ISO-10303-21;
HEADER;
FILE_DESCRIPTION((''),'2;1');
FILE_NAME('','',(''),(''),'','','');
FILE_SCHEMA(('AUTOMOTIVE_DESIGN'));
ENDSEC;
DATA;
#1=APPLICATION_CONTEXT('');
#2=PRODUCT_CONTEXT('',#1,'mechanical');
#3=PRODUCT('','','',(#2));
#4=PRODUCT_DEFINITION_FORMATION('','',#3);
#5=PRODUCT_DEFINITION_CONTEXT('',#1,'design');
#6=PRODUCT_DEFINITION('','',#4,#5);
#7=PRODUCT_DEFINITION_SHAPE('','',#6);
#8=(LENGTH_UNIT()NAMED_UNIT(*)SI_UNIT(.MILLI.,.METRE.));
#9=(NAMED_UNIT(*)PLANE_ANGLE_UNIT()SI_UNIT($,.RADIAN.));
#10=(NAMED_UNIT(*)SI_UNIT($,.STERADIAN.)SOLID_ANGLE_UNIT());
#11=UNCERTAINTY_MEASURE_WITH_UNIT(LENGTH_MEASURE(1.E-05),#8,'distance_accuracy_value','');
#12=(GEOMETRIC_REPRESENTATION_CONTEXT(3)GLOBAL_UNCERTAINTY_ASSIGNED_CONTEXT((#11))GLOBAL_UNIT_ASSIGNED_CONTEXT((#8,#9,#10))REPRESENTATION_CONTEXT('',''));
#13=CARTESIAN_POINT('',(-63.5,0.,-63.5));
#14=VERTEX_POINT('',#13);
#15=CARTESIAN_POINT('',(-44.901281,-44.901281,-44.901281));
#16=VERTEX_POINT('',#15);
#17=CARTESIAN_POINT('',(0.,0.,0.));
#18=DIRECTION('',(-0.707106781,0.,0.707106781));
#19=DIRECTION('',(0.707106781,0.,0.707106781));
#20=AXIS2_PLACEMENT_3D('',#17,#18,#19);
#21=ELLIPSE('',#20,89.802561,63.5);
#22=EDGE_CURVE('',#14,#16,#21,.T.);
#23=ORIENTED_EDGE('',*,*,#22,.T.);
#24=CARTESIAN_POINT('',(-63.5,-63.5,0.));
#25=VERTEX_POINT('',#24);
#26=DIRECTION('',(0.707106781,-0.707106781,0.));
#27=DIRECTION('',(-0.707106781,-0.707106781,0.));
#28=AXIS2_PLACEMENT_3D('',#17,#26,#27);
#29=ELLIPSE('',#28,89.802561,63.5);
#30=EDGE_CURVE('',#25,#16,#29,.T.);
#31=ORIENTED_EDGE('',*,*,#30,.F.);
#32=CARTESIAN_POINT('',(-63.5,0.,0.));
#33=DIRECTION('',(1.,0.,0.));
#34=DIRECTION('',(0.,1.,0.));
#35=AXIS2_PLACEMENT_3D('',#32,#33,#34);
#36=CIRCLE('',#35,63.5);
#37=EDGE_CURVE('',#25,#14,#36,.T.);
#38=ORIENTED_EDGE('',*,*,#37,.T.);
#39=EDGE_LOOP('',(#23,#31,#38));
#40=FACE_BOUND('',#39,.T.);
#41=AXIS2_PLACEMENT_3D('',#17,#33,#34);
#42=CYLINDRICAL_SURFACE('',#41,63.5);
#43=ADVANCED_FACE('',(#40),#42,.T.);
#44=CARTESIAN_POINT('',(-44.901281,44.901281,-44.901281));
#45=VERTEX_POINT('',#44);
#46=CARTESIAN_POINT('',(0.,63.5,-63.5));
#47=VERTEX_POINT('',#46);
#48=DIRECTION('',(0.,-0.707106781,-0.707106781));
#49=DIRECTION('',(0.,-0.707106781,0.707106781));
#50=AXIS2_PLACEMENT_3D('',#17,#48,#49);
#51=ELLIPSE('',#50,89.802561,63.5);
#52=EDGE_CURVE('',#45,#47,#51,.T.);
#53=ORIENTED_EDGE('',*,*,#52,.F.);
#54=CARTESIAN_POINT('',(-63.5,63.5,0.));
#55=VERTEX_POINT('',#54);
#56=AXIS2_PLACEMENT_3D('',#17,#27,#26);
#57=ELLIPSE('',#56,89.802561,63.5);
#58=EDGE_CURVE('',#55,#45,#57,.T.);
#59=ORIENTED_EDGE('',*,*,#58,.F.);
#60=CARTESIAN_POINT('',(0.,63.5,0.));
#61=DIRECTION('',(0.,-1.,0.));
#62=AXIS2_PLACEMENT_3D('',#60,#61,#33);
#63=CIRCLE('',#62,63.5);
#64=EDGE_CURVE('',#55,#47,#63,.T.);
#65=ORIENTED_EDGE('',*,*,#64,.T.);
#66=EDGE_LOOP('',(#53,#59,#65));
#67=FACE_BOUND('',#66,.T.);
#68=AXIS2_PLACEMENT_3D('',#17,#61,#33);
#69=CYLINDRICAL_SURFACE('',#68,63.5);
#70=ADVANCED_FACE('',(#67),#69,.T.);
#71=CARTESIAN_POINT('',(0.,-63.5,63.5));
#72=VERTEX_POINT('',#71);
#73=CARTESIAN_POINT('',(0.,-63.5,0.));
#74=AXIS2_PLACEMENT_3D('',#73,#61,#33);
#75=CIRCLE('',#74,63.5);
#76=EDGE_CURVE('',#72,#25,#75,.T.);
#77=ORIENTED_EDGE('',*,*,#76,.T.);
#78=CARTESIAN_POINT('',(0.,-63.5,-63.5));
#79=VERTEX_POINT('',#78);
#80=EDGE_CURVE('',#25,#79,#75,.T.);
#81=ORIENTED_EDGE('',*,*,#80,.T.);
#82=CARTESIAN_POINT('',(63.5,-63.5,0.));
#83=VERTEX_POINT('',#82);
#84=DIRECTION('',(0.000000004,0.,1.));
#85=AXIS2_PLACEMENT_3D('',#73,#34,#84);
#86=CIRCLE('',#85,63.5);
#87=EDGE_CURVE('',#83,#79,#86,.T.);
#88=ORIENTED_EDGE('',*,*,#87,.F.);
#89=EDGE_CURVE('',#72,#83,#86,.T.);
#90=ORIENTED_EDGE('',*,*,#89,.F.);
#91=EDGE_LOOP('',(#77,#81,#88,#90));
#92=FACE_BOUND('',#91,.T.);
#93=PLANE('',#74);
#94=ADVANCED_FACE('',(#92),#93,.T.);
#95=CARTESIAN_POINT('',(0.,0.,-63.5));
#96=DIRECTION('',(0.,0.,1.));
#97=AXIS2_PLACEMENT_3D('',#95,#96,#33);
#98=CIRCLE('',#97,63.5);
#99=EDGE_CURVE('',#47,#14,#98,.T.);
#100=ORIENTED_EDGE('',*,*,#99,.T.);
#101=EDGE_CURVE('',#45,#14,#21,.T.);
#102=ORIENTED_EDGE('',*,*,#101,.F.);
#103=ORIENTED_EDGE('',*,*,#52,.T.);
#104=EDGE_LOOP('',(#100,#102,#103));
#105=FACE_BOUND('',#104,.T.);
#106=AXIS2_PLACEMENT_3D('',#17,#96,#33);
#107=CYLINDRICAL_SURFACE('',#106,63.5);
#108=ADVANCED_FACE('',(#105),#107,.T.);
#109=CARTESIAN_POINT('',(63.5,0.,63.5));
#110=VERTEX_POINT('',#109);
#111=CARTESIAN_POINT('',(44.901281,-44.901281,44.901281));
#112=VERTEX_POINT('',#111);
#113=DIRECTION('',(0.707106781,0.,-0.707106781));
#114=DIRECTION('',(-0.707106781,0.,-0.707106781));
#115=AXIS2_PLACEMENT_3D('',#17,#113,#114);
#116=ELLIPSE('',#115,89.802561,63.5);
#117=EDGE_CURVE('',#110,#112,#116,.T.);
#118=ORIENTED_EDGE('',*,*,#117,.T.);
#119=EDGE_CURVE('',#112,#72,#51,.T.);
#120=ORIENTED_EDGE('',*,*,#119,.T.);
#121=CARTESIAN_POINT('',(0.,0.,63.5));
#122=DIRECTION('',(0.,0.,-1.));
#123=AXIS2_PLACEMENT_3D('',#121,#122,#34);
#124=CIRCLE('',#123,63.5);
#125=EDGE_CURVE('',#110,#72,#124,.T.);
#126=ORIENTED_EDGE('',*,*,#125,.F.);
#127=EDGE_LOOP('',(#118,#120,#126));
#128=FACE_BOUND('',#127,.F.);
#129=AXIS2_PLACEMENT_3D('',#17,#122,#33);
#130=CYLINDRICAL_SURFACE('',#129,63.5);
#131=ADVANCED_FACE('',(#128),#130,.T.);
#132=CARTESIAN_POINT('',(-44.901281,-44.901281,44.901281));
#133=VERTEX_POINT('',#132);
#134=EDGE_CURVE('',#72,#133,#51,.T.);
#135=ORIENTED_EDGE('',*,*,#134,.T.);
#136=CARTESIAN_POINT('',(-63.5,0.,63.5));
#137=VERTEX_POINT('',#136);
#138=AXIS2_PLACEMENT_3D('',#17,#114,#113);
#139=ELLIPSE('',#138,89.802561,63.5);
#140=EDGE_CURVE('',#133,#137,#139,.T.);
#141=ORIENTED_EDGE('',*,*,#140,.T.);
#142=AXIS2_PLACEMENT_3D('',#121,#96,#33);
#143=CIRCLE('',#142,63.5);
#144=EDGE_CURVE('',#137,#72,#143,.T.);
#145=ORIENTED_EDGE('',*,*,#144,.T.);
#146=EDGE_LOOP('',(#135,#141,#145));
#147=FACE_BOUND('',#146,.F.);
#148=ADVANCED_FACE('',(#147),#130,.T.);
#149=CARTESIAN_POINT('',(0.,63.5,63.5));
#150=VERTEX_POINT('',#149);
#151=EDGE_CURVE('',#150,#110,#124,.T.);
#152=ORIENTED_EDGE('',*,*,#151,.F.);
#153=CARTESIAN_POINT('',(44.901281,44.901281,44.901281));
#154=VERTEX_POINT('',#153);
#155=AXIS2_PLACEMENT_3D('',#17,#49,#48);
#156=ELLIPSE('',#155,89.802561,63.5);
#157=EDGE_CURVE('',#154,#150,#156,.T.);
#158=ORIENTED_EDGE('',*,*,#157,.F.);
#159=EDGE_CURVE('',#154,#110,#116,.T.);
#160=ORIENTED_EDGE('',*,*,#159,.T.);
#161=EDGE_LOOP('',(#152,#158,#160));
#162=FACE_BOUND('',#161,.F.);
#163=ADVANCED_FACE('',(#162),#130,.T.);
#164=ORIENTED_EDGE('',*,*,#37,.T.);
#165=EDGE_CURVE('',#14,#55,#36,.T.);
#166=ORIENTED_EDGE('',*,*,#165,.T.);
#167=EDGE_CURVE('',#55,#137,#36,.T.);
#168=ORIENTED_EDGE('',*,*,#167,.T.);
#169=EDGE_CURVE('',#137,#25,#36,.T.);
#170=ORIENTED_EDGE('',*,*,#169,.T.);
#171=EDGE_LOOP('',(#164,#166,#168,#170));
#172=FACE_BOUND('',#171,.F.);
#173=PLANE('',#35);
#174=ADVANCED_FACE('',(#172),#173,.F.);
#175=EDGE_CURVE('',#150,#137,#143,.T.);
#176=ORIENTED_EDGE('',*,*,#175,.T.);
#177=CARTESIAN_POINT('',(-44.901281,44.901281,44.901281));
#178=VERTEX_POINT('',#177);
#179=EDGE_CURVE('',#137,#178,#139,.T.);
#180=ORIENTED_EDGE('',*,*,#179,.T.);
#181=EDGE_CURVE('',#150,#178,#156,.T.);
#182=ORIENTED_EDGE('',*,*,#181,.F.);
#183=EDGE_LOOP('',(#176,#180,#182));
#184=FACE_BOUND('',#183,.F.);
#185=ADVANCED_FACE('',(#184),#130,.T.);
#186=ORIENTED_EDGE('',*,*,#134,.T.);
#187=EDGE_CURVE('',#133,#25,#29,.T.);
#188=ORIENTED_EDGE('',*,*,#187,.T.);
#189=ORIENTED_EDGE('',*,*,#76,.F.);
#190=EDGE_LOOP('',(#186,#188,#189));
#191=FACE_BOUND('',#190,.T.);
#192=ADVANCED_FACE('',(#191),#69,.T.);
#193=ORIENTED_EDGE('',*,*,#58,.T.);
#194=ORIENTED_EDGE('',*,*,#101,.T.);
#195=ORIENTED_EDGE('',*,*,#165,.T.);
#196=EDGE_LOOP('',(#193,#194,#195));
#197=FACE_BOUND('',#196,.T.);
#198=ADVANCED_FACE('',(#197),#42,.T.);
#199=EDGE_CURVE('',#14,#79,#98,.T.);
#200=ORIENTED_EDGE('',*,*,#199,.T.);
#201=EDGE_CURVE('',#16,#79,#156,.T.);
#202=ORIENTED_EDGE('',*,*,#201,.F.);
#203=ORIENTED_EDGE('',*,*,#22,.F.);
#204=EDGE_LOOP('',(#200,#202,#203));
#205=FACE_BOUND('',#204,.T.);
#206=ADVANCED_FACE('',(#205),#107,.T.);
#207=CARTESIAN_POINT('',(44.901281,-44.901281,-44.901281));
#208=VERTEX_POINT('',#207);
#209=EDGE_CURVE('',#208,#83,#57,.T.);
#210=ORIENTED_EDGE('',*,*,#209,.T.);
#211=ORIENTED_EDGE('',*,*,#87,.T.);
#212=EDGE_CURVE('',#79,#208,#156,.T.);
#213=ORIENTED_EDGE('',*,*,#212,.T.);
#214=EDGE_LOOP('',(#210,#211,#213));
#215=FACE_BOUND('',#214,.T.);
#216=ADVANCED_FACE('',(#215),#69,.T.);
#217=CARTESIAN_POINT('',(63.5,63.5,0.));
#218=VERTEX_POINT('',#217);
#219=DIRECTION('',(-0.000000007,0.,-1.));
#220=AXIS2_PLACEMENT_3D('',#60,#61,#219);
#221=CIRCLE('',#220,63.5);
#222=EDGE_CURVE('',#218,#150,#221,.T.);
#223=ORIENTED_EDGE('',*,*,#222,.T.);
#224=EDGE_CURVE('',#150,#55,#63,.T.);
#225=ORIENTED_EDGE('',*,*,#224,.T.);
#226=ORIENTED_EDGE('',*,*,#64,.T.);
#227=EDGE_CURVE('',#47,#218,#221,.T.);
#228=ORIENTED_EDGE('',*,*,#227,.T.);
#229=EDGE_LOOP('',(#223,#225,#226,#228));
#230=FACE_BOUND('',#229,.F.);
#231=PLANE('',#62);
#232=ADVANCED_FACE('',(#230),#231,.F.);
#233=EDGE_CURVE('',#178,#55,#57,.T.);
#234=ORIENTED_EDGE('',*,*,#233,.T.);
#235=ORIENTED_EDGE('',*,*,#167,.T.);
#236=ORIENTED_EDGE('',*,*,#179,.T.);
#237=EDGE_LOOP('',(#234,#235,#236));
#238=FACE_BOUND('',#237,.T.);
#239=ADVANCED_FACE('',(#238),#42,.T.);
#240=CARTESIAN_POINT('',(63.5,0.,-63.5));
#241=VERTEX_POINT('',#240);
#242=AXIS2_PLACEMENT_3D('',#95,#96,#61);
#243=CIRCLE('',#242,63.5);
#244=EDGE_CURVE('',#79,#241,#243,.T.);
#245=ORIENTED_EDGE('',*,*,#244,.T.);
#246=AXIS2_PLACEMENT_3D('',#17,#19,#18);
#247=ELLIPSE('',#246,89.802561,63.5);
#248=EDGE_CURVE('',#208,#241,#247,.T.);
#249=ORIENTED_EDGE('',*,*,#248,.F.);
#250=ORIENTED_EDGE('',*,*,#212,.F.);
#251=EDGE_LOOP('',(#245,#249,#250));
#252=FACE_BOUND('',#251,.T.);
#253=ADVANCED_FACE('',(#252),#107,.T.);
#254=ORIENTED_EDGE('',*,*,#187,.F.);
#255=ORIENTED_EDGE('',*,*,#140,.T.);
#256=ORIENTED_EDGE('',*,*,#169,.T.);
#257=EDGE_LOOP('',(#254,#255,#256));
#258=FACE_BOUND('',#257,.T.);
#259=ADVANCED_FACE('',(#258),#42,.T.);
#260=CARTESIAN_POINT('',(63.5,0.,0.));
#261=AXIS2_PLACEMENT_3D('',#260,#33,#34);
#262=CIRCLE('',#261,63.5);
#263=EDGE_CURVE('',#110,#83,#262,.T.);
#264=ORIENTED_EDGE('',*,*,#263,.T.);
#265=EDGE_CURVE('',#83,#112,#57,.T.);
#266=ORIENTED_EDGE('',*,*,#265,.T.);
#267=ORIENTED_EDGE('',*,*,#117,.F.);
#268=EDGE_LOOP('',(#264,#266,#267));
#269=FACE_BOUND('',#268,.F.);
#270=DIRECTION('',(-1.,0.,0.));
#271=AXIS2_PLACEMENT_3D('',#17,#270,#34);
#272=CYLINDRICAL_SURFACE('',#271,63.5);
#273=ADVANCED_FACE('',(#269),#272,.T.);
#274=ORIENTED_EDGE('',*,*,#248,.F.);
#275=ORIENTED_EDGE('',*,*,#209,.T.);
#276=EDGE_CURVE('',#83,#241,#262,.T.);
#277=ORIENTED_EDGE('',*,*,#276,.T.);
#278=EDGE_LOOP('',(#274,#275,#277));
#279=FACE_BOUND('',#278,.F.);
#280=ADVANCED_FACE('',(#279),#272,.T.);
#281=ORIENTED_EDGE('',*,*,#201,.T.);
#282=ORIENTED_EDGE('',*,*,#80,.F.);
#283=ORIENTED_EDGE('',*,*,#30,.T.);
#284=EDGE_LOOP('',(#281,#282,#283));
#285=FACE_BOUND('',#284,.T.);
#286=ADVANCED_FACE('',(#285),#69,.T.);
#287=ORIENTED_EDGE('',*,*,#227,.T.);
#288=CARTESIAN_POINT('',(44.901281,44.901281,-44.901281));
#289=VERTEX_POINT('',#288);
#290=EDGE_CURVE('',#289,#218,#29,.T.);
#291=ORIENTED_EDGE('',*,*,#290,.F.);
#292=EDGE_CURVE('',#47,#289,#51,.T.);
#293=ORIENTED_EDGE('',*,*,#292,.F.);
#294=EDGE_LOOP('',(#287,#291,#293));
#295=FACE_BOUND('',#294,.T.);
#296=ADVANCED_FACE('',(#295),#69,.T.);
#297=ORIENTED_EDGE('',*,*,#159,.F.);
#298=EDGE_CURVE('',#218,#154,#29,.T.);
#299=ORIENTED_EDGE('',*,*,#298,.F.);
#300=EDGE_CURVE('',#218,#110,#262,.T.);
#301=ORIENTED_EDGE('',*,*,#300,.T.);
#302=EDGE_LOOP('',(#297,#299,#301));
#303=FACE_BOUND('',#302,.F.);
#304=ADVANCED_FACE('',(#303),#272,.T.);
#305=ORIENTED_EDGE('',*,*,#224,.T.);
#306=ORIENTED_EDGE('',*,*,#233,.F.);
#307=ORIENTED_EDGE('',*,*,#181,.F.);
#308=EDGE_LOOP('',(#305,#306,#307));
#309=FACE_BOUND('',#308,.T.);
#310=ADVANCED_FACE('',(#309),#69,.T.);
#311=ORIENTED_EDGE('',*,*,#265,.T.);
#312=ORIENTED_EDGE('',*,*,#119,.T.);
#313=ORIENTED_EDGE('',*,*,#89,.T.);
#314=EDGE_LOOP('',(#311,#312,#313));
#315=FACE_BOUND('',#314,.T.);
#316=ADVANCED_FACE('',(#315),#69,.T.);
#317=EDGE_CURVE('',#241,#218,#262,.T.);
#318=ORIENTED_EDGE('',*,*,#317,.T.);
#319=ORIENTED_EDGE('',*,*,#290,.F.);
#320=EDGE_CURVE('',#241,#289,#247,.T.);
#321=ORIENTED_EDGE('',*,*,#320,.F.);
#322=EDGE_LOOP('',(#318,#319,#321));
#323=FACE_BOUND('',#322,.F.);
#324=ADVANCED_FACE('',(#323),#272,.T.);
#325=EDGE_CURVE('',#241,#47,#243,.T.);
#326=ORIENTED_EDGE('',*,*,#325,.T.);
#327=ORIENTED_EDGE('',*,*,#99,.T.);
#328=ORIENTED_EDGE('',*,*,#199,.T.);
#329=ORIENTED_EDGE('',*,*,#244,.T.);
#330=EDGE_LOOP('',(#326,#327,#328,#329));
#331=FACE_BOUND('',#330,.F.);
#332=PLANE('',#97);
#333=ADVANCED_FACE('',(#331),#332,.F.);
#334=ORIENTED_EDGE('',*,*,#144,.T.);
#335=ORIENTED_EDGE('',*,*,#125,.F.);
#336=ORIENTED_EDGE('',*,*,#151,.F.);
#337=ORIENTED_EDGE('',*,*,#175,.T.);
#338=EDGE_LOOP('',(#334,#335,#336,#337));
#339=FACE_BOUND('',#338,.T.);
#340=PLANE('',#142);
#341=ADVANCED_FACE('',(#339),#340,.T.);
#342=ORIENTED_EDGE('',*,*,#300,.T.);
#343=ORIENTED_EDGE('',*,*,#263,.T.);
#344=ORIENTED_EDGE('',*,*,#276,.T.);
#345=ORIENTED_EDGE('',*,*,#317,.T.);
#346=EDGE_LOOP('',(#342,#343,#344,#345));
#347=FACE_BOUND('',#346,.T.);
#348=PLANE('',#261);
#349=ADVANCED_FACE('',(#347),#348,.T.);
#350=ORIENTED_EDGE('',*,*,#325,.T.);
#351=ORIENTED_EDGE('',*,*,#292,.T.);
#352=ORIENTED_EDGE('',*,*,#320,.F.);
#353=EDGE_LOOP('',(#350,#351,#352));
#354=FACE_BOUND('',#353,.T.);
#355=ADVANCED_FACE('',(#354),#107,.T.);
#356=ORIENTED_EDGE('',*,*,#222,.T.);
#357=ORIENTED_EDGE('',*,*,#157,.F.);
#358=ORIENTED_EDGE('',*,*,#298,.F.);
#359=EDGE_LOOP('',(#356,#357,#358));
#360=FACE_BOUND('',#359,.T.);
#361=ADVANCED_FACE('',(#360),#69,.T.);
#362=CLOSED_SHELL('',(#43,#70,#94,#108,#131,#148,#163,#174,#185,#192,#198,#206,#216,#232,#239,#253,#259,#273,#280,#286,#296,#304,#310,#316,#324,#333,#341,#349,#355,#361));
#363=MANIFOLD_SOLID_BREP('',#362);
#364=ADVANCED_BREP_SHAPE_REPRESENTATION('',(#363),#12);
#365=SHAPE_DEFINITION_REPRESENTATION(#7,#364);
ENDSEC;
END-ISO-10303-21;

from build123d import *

# Parameters (mm, degrees)
F0_R          = 63.5
F1_DEPTH      = 63.5
F1_DEPTH_BACK = 63.5
F2_R          = 63.5
F3_DEPTH      = 63.5
F3_DEPTH_BACK = 63.5
F4_R          = 63.5
F5_DEPTH      = 63.5
F5_DEPTH_BACK = 63.5


with BuildPart() as f1:
    # F0 (on Front) → F1 (new body, two sides)
    with BuildSketch(Plane.XZ) as f1_sk:
        Circle(F0_R)
    extrude(amount=F1_DEPTH)
    extrude(f1_sk.sketch, amount=-F1_DEPTH_BACK)

    # F2 (on Top) → F3 (join, two sides)
    with BuildSketch(Plane.XY) as f3_sk:
        Circle(F2_R)
    extrude(amount=F3_DEPTH)
    extrude(f3_sk.sketch, amount=-F3_DEPTH_BACK)

    # F4 (on Right) → F5 (join, two sides)
    with BuildSketch(Plane.YZ) as f5_sk:
        Circle(F4_R)
    extrude(amount=F5_DEPTH)
    extrude(f5_sk.sketch, amount=-F5_DEPTH_BACK)


solid = f1.part
